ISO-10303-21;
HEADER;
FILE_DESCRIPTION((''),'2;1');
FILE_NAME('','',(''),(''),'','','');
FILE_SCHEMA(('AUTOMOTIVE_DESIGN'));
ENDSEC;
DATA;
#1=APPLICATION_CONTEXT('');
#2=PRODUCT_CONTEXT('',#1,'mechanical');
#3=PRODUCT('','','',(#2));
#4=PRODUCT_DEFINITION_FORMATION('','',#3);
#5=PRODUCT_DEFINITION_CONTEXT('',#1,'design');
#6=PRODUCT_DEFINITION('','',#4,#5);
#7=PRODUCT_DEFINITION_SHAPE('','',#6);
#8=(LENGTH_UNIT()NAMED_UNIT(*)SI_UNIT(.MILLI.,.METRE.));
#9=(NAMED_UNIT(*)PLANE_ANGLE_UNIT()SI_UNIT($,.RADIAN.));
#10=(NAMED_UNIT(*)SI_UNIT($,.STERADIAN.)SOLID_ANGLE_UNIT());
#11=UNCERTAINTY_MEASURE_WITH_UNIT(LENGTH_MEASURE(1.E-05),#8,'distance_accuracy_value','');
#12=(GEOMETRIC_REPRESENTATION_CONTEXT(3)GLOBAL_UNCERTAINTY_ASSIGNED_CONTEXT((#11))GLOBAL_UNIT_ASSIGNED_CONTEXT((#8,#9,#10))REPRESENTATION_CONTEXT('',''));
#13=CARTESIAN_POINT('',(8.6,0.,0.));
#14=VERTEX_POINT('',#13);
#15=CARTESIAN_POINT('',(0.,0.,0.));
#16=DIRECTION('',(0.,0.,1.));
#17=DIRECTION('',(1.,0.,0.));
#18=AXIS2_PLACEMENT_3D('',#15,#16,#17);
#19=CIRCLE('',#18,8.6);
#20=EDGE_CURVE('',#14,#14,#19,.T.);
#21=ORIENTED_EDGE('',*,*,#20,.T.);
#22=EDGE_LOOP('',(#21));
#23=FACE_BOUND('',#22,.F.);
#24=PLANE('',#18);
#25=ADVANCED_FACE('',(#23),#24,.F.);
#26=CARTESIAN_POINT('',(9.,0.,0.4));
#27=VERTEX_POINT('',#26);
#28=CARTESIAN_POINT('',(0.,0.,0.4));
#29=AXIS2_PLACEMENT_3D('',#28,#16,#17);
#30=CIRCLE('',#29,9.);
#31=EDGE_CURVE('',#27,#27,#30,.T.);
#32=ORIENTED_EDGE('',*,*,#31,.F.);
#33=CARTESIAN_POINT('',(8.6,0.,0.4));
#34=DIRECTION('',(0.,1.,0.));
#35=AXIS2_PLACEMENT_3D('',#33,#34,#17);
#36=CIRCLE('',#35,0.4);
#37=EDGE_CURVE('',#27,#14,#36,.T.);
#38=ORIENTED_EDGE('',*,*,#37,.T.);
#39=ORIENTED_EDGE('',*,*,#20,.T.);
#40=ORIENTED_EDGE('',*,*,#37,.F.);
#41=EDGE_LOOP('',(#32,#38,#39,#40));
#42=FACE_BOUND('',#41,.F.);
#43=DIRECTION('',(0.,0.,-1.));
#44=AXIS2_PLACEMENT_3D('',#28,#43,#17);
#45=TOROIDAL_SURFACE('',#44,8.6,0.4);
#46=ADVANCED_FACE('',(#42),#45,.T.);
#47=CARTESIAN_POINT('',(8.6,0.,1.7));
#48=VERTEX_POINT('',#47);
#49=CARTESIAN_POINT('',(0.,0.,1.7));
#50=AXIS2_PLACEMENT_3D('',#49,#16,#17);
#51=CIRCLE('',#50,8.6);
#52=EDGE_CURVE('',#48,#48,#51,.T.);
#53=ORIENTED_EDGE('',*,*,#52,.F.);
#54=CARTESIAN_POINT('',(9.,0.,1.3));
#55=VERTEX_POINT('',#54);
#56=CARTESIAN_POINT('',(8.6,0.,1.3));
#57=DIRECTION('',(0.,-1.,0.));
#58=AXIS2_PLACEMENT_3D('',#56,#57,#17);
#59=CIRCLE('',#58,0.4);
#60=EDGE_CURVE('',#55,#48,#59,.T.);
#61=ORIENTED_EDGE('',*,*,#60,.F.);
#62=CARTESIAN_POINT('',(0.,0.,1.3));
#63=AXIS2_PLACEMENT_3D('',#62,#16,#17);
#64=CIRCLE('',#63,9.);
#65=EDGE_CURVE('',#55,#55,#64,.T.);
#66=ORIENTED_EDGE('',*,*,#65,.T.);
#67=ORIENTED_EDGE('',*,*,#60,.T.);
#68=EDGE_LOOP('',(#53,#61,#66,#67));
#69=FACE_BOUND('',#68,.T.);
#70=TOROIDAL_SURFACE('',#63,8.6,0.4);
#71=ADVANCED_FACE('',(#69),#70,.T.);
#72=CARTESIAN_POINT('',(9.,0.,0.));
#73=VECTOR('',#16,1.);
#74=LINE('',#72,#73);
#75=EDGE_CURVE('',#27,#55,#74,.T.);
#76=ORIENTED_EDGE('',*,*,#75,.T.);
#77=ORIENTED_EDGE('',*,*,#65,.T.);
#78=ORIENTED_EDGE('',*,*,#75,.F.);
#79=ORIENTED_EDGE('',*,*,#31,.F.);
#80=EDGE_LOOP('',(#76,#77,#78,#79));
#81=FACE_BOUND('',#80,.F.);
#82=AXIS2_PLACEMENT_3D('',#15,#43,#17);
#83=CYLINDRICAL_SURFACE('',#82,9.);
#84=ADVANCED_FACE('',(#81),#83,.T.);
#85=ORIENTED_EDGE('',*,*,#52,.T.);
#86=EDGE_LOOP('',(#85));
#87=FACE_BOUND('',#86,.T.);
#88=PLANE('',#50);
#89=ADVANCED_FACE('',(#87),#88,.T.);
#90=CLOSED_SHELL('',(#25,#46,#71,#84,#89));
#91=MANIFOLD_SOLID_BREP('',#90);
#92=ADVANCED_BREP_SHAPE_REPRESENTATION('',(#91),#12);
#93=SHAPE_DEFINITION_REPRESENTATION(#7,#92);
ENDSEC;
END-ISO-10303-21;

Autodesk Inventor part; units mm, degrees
ref_plane "YZ Plane" through (0, 0, 0) normal (1, 0, 0) x (0, 1, 0)
ref_plane "XZ Plane" through (0, 0, 0) normal (0, 1, 0) x (-1, 0, 0)
ref_plane "XY Plane" through (0, 0, 0) normal (0, 0, 1) x (1, 0, 0)
sketch "Sketch1" plane through (0, 0, 0) normal (0, 0, 1) x (1, 0, 0)
  circle A0 centre (0, 0) radius 9
  dimension "d0" = 18
extrude "Extrusion1" add sketch "Sketch1" along normal blind 1.7
fillet "Fillet1" radius 0.4 2 edges at (-9, 0, 1.7) (-9, 0, 0)
equation "\"d0\" = diameter"
equation "\"d1\" = thickness"
equation "\"thickness\" = 1.7"
equation "\"diameter\" = 18"
properties part number "boron-under-mesh-plate" material "Stainless Steel"
